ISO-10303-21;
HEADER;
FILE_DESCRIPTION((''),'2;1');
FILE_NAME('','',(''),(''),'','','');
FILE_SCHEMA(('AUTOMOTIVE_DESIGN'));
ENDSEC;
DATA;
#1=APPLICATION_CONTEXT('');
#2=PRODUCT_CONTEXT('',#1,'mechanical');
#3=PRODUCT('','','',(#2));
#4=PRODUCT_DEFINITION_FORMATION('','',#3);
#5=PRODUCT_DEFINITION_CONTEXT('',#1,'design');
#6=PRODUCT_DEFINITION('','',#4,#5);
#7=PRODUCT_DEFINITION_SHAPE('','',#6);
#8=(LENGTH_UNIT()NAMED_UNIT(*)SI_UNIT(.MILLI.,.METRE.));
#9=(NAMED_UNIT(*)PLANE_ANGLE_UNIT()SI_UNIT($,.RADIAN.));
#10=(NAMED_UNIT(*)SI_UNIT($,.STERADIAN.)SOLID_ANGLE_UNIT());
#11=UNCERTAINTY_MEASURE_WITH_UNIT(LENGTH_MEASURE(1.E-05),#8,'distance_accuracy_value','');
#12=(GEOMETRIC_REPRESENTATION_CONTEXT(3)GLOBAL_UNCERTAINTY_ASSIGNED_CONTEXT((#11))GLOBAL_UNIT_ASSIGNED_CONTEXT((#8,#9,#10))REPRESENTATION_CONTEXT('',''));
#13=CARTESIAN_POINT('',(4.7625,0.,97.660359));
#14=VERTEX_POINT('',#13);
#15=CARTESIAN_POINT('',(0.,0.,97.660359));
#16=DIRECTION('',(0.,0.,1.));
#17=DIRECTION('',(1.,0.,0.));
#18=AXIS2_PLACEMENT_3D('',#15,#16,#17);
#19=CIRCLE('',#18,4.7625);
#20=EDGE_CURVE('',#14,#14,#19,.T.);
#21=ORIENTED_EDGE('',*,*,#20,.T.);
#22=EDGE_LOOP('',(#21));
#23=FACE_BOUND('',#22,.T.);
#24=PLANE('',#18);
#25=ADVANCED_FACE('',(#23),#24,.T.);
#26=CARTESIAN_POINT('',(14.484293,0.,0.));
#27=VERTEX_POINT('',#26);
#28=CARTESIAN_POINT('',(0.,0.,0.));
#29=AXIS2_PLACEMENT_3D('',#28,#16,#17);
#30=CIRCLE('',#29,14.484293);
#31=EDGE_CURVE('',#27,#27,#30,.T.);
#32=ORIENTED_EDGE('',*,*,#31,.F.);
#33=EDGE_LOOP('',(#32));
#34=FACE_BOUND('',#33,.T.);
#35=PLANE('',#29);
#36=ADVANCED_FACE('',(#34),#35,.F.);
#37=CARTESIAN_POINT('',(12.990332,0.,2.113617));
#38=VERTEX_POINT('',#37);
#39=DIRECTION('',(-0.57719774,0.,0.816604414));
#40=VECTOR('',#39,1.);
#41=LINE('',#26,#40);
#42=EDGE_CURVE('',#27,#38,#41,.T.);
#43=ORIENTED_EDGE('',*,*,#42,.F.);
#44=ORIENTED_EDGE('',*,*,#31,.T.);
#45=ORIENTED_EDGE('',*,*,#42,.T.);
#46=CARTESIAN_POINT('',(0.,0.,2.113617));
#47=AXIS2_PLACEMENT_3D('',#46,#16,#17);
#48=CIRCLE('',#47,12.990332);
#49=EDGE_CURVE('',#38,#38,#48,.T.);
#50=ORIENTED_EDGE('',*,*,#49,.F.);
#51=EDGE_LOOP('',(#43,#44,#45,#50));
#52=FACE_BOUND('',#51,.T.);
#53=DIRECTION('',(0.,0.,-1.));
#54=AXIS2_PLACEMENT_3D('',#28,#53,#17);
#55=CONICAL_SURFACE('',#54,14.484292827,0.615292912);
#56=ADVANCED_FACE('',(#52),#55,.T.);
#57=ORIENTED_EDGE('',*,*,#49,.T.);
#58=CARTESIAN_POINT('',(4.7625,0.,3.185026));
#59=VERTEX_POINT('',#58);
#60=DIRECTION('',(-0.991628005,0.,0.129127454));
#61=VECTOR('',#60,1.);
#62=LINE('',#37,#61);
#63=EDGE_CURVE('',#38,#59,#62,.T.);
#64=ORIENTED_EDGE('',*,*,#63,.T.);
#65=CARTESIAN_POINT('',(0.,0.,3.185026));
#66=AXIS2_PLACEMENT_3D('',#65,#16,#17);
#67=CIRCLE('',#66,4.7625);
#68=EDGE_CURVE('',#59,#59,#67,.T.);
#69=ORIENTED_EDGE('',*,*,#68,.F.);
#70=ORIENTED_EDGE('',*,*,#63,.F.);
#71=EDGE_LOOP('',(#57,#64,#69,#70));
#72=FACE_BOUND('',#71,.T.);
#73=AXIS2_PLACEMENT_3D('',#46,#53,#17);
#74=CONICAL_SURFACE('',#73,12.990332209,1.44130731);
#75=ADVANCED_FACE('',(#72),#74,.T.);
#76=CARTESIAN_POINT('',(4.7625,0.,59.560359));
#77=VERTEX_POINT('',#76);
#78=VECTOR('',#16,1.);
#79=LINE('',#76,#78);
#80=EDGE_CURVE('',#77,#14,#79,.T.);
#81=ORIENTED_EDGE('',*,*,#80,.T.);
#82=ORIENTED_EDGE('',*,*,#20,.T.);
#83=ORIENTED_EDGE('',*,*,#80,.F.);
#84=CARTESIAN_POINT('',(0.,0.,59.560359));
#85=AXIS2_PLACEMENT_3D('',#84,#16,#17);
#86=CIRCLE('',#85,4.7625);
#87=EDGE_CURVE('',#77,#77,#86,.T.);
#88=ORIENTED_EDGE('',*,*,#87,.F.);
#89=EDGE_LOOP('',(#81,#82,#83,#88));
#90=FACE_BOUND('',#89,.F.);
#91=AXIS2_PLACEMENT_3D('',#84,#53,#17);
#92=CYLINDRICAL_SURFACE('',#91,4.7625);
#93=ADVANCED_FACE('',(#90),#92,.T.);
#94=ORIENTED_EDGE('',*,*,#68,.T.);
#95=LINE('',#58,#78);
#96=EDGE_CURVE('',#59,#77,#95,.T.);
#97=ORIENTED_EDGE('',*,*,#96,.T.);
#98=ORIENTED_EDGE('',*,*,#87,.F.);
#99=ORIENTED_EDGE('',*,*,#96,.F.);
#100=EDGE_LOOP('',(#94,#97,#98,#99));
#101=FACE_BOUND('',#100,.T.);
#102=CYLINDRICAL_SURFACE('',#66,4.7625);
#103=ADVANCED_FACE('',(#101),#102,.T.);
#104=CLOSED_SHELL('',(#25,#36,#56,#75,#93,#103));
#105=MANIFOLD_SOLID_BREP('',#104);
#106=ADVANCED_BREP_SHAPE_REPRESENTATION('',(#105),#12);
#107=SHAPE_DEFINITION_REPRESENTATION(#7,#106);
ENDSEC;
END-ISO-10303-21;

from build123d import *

# Parameters (mm, degrees)
F3_DEPTH = 38.1


with BuildPart() as f2:
    # F1 (on Front) → F2 (revolve)
    with BuildSketch(Plane.XZ):
        Polygon((0, 59.5603585243), (0, 0), (4.7625, 0), (14.4842928275, 0), (12.9903322086, 2.1136167925), (4.7625, 3.1850256491), (4.7625, 59.5603585243), align=None)
    revolve(axis=Axis((0, 0, 0), (0, 0, 1)))

    # F3 (add): a face of the model
    f3_faces = [f2.faces().sort_by_distance(p)[0] for p in [
        (0, 0, 59.5603585243),
    ]]
    extrude(f3_faces, amount=F3_DEPTH)


solid = f2.part
